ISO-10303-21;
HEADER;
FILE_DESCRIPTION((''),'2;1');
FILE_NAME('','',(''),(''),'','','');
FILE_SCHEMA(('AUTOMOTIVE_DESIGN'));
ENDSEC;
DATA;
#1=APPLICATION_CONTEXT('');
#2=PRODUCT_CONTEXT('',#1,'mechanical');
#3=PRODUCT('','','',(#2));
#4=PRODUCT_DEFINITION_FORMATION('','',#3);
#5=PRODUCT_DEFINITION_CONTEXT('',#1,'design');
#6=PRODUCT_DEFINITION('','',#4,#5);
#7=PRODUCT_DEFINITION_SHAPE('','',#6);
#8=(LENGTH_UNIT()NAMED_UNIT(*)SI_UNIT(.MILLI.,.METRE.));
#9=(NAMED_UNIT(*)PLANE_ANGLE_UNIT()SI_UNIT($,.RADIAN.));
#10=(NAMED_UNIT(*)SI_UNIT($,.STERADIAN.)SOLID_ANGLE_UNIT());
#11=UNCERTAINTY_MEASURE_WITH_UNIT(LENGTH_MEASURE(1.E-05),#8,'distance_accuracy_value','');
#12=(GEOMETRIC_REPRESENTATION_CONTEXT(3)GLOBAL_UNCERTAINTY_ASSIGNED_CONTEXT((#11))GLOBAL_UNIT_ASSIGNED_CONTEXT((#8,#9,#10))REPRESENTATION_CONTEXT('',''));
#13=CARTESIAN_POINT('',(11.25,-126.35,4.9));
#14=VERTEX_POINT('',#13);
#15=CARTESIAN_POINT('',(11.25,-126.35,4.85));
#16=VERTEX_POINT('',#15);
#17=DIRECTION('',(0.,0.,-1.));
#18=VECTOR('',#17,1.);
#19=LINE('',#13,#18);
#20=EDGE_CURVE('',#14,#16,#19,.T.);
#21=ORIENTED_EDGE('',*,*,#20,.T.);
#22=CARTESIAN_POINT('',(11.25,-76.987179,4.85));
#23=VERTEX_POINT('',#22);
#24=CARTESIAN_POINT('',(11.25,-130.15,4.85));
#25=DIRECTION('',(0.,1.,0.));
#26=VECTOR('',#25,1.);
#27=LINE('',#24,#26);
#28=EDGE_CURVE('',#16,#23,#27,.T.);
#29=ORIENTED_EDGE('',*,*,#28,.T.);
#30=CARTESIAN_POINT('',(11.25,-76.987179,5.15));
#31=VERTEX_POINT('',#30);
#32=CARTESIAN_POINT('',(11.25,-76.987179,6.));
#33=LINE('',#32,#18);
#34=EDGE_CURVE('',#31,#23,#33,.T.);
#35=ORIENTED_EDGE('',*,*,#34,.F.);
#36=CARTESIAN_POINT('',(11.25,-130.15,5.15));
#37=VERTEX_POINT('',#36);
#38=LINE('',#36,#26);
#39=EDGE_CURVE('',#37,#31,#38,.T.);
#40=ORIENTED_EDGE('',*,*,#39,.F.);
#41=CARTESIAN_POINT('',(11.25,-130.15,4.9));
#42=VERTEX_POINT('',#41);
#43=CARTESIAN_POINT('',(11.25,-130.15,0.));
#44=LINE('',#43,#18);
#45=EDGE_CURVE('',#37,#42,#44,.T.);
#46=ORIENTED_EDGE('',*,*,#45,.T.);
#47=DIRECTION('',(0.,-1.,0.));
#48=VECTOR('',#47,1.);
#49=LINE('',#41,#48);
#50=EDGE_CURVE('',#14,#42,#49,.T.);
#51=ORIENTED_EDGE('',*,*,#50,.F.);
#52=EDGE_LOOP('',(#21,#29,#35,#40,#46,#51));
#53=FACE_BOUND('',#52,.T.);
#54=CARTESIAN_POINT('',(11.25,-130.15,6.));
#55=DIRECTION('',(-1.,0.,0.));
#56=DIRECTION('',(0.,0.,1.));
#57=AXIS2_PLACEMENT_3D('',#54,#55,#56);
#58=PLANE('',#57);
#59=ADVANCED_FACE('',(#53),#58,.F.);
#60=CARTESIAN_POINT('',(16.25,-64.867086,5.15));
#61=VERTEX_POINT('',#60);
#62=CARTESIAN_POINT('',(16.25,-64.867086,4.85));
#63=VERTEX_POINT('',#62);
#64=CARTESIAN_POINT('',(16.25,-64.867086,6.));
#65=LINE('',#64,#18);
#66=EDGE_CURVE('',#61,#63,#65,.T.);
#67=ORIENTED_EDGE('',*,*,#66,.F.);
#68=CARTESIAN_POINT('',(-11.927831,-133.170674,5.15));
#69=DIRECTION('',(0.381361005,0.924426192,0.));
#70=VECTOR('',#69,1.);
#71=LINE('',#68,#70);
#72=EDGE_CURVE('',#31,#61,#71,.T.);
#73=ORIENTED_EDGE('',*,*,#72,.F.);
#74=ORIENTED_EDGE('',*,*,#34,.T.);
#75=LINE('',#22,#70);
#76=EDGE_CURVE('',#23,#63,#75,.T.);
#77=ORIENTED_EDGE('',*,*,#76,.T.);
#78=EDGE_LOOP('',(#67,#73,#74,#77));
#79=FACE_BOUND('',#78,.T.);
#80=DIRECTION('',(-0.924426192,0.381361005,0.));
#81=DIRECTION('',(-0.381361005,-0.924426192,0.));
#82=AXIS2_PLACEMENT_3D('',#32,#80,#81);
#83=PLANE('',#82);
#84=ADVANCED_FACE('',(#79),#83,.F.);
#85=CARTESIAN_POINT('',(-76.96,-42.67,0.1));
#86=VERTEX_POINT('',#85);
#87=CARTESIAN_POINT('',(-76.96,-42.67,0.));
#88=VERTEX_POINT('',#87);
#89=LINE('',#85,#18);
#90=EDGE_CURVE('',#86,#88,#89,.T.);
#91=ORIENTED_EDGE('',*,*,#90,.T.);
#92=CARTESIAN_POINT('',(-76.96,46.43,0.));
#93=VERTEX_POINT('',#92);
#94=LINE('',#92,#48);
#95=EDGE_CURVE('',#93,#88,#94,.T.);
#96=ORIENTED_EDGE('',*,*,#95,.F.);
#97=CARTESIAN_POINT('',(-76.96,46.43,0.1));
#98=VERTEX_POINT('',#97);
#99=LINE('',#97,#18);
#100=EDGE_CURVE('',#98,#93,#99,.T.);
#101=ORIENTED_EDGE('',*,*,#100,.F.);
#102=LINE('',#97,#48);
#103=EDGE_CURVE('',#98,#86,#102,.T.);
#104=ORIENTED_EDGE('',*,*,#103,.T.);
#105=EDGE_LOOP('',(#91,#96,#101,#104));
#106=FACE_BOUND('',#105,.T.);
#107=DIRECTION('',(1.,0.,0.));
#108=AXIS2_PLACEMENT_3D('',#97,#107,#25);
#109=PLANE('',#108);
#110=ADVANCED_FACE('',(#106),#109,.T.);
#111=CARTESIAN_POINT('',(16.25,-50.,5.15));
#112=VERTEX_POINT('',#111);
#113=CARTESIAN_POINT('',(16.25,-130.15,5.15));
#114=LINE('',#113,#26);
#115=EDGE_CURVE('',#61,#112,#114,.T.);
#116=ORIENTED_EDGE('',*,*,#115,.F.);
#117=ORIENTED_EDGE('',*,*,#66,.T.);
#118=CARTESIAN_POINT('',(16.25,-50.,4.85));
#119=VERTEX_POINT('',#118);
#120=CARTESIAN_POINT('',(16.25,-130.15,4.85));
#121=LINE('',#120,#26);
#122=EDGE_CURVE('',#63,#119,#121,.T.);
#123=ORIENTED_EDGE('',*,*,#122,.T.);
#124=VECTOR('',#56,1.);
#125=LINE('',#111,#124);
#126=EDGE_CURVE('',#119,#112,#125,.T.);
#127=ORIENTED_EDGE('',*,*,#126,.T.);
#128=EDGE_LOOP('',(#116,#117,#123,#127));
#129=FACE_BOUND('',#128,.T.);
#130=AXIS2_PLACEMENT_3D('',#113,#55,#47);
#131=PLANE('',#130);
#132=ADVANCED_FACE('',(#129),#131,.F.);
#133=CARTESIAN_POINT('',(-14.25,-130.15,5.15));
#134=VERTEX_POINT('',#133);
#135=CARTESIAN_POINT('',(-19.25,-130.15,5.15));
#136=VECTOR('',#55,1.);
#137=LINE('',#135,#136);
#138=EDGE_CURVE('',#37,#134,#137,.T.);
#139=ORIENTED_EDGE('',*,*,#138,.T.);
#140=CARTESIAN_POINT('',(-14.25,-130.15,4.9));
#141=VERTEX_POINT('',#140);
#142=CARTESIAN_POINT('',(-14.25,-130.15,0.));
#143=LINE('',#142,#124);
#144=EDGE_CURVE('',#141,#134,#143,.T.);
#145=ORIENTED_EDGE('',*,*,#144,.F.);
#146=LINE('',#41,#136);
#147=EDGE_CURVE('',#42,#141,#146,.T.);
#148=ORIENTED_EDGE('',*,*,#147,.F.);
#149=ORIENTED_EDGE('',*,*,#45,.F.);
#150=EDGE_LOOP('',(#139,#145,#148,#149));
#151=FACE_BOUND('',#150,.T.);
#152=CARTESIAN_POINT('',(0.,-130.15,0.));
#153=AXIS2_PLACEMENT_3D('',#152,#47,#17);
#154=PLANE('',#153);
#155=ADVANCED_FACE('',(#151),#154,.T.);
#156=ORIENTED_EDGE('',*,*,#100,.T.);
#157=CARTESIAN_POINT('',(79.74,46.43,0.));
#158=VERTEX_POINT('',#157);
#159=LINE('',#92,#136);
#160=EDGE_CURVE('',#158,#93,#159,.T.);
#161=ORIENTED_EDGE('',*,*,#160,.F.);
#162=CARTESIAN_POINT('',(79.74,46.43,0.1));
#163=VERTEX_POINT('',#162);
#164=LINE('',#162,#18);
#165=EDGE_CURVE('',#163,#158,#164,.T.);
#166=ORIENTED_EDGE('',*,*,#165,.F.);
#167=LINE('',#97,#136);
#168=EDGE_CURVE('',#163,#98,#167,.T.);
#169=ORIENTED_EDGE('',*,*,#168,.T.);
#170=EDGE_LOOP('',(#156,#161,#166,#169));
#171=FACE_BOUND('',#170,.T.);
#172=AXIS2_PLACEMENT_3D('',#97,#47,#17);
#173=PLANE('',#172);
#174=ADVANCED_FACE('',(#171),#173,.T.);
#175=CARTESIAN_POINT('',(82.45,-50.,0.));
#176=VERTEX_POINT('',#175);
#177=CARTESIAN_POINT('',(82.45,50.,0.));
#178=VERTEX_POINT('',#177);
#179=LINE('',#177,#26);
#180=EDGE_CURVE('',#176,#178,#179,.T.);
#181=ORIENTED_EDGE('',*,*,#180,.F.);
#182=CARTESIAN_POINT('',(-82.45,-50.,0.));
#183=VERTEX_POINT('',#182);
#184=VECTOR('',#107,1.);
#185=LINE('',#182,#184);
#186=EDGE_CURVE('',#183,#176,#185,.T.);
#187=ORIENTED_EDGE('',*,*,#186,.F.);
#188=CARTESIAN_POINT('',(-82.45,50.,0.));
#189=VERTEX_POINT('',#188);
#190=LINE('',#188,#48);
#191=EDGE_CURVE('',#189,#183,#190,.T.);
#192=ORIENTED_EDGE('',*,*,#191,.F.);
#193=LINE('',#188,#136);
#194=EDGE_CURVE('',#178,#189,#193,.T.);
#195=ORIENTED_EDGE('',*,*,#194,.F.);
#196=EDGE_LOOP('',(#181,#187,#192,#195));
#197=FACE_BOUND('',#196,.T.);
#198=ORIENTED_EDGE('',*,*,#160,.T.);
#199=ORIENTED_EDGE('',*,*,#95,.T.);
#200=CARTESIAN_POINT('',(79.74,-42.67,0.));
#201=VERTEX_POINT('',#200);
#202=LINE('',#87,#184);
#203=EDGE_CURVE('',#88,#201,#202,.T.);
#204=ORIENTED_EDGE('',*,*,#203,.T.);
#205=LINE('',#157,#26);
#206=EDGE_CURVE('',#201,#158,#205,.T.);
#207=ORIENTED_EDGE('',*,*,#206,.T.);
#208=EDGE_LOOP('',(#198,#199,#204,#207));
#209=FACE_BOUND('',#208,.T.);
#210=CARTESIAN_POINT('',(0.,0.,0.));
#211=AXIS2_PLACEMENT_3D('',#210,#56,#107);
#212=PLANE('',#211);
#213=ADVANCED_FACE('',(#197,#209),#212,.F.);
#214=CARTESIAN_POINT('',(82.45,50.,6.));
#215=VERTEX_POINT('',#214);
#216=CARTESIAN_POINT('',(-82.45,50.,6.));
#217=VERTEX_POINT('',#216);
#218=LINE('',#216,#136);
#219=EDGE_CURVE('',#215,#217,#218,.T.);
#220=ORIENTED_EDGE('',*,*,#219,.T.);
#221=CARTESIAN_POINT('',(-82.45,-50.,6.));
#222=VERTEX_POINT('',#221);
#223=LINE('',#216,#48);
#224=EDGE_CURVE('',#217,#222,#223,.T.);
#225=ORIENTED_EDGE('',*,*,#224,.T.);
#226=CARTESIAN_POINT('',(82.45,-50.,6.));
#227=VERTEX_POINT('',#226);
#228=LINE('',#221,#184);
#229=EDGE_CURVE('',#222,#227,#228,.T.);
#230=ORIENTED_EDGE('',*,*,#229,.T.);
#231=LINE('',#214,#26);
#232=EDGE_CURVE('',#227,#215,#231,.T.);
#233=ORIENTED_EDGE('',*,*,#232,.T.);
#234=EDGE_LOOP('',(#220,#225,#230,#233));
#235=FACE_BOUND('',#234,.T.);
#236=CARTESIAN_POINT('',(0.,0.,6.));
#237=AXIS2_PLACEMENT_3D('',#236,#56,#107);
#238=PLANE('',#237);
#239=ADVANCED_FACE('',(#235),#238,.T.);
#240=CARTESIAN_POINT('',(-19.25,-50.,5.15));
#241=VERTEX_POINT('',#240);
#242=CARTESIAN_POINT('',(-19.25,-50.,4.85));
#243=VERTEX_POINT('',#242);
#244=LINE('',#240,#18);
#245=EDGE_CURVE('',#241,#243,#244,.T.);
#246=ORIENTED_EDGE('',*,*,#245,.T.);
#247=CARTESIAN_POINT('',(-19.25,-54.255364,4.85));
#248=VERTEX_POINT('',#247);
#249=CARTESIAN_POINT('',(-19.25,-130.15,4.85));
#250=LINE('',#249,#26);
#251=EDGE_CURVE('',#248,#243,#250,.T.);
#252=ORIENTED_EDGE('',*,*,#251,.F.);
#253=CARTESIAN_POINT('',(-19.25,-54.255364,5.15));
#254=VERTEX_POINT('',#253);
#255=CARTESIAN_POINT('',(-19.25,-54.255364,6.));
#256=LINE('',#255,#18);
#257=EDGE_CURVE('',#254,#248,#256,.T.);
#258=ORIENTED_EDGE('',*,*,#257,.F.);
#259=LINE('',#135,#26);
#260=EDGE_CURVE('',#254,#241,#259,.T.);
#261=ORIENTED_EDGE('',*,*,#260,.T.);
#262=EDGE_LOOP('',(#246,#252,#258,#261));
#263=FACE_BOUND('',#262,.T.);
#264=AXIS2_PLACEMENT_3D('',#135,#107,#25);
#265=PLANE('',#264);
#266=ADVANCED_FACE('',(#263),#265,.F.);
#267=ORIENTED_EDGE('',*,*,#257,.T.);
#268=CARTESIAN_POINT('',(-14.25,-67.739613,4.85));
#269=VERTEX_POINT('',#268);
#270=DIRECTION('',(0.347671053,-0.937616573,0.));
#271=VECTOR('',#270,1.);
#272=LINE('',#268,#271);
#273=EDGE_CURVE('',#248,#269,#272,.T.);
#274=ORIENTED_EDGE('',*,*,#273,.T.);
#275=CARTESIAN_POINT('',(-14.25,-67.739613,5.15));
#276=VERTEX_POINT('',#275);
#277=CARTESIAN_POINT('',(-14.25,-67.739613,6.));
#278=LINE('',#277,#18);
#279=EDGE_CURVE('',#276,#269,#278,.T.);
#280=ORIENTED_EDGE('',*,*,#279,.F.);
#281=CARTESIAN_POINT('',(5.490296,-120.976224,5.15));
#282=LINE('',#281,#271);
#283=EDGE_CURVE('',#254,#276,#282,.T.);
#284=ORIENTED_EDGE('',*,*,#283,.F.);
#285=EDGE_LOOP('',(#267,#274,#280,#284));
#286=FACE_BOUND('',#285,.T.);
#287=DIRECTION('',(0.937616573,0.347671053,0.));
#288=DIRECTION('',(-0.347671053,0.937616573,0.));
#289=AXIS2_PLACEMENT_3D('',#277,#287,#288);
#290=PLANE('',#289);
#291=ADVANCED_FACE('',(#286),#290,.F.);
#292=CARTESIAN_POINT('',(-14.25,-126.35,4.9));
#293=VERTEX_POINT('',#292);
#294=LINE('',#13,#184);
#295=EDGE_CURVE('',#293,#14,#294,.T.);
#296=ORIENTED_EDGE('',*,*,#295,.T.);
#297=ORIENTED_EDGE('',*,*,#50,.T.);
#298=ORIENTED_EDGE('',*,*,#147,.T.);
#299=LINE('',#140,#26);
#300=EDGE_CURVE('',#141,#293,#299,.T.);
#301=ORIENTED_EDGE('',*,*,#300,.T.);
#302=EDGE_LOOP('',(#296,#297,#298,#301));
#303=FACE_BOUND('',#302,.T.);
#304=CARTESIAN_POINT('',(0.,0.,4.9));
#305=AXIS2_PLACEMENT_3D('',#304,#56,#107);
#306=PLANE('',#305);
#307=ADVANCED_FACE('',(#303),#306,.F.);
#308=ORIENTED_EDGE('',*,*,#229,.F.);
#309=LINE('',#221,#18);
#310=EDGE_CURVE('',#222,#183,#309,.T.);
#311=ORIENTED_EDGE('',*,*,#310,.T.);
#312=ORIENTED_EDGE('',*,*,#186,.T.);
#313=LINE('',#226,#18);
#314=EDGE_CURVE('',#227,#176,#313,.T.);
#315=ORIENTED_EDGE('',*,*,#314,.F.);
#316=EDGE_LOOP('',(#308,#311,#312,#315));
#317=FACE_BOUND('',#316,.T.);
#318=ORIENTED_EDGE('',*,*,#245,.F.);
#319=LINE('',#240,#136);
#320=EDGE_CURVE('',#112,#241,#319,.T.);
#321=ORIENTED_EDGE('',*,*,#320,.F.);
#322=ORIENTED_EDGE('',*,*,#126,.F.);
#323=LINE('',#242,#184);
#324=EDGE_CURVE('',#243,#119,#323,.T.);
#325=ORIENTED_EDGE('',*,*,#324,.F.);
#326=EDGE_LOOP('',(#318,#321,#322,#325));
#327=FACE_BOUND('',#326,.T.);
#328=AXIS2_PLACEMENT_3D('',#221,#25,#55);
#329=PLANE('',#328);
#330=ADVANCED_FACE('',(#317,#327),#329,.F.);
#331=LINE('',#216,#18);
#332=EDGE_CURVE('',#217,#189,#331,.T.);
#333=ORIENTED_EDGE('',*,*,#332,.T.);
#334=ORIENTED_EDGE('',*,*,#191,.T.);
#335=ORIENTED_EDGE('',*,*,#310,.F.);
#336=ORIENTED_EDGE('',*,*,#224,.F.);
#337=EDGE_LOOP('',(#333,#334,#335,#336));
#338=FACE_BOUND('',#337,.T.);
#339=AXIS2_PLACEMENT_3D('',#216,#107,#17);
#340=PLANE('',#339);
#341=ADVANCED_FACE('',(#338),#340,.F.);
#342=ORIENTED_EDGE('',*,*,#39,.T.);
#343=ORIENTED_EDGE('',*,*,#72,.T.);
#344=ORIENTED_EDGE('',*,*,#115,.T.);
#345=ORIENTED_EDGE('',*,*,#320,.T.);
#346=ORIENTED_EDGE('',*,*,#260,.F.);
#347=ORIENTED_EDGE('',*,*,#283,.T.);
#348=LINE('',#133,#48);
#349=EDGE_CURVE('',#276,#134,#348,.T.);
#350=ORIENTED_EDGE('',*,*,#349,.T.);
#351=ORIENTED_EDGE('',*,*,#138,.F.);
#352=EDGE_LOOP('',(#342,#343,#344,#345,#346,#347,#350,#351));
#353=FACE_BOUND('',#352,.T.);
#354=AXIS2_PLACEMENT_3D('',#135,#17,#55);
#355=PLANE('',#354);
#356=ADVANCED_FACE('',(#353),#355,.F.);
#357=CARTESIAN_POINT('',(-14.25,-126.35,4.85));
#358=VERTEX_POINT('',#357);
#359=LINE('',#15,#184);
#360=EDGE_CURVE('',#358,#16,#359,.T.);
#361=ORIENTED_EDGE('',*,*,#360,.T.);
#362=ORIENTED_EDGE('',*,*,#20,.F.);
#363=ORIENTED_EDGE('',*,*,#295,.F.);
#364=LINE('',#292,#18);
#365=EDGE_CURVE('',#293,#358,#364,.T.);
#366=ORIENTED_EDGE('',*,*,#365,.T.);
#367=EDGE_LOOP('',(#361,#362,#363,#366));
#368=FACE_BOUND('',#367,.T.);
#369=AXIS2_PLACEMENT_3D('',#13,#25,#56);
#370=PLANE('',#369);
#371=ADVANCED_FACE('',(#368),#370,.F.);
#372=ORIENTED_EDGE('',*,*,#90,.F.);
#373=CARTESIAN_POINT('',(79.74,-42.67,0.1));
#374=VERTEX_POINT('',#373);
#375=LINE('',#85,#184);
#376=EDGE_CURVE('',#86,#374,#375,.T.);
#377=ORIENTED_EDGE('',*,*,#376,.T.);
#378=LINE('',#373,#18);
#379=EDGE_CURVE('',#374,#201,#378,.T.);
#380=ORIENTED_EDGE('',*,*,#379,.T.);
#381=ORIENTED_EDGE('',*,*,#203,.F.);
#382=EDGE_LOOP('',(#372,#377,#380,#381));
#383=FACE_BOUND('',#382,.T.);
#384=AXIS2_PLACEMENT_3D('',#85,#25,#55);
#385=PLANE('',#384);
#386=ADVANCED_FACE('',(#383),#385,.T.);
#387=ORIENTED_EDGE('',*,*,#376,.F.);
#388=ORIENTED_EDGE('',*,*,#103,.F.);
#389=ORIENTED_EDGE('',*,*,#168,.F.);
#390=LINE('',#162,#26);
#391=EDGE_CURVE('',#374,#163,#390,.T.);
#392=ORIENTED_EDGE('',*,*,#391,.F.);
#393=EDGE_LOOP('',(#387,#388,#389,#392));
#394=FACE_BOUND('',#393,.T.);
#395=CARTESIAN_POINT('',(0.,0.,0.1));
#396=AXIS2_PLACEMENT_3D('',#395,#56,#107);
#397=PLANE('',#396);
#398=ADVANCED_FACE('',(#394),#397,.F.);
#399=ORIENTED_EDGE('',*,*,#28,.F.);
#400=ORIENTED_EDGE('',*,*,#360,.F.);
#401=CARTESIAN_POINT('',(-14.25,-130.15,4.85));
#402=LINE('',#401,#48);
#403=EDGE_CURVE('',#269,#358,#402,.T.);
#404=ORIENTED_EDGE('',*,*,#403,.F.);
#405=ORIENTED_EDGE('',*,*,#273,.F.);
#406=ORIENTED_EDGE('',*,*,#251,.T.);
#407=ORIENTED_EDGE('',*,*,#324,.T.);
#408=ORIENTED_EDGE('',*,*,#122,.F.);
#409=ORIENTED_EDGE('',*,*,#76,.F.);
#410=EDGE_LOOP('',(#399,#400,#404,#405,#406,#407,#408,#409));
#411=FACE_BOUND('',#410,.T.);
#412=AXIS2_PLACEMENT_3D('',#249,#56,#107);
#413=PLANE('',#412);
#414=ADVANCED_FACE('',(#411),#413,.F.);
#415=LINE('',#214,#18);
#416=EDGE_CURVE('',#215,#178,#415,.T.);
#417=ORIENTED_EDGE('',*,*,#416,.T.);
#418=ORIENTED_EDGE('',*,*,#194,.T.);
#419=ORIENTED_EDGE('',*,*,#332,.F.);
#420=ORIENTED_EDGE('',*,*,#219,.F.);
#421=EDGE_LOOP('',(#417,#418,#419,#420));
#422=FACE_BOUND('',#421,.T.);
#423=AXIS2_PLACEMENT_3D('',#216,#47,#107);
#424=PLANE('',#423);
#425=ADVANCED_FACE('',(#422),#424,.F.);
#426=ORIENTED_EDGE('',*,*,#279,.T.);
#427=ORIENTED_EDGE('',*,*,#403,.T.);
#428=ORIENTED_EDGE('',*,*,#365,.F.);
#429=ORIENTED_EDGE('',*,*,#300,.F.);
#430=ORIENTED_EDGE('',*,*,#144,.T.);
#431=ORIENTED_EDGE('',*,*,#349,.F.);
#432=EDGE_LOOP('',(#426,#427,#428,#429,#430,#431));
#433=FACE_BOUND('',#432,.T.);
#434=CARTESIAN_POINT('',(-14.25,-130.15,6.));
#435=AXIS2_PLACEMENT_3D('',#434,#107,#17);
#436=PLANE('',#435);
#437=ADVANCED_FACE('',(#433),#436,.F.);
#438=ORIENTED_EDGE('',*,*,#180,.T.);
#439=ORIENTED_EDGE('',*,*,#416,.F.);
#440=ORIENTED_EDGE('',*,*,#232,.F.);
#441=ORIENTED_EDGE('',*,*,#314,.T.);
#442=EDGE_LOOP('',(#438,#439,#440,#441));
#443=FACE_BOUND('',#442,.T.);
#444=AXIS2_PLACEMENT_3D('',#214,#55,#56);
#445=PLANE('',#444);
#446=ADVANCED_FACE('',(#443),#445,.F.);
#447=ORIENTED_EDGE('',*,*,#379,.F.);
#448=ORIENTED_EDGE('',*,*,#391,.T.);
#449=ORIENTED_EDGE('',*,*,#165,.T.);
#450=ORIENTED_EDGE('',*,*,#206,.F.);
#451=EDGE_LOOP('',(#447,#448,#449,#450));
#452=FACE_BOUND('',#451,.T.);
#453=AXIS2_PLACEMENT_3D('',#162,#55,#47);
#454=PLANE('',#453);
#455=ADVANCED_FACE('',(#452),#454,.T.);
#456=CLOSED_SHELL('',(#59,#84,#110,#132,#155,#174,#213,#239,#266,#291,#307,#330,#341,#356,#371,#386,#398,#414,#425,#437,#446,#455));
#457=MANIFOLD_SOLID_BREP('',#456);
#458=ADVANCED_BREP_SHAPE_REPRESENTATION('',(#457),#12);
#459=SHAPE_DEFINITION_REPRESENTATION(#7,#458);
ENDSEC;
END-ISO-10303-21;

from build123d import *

# Parameters (mm, degrees)
SKETCH_1_W            = 164.9
SKETCH_1_H            = 100
EXTRUDE_319_DEPTH     = 6
SKETCH_2_W            = 156.7
SKETCH_2_H            = 89.1
CUT_EXTRUDE_496_DEPTH = 0.1
SKETCH_4_W            = 35.5
SKETCH_4_H            = 0.3
EXTRUDE_2_DEPTH       = 80.15
CUT_EXTRUDE_4_DEPTH   = 155.144566884
SKETCH_6_W            = 25.5
SKETCH_6_H            = 3.8
CUT_EXTRUDE_5_DEPTH   = 0.05


with BuildPart() as part:
    # 草图1 → Extrude 319 (new body)
    with BuildSketch(Plane.XY):
        Rectangle(SKETCH_1_W, SKETCH_1_H)
    extrude(amount=EXTRUDE_319_DEPTH)

    # 草图2 → Cut-Extrude 496 (cut)
    with BuildSketch(Plane.XY):
        with Locations((1.39, 1.88)):
            Rectangle(SKETCH_2_W, SKETCH_2_H)
    extrude(amount=CUT_EXTRUDE_496_DEPTH, mode=Mode.SUBTRACT)

    # 草图4 → 凸台-拉伸2 (add)
    with BuildSketch(Plane.XZ.offset(50)):
        with Locations((-1.5, 5)):
            Rectangle(SKETCH_4_W, SKETCH_4_H)
    extrude(amount=EXTRUDE_2_DEPTH)

    # 草图5 → 切除-拉伸4 (cut, through all)
    with BuildSketch(Plane(origin=(0, 0, 4.85), x_dir=(-1, 0, 0), z_dir=(0, 0, -1))):
        Polygon((-16.25, -130.15), (-11.25, -130.15), (-11.25, -76.987179315), (-16.25, -64.867086026), align=None)
        Polygon((19.25, -130.15), (14.25, -130.15), (14.25, -67.739612604), (19.25, -54.255364134), align=None)
    extrude(amount=-CUT_EXTRUDE_4_DEPTH, mode=Mode.SUBTRACT)

    # 草图6 → 切除-拉伸5 (cut)
    with BuildSketch(Plane(origin=(0, 0, 4.85), x_dir=(-1, 0, 0), z_dir=(0, 0, -1))):
        with Locations((1.5, -128.25)):
            Rectangle(SKETCH_6_W, SKETCH_6_H)
    extrude(amount=-CUT_EXTRUDE_5_DEPTH, mode=Mode.SUBTRACT)


solid = part.part
